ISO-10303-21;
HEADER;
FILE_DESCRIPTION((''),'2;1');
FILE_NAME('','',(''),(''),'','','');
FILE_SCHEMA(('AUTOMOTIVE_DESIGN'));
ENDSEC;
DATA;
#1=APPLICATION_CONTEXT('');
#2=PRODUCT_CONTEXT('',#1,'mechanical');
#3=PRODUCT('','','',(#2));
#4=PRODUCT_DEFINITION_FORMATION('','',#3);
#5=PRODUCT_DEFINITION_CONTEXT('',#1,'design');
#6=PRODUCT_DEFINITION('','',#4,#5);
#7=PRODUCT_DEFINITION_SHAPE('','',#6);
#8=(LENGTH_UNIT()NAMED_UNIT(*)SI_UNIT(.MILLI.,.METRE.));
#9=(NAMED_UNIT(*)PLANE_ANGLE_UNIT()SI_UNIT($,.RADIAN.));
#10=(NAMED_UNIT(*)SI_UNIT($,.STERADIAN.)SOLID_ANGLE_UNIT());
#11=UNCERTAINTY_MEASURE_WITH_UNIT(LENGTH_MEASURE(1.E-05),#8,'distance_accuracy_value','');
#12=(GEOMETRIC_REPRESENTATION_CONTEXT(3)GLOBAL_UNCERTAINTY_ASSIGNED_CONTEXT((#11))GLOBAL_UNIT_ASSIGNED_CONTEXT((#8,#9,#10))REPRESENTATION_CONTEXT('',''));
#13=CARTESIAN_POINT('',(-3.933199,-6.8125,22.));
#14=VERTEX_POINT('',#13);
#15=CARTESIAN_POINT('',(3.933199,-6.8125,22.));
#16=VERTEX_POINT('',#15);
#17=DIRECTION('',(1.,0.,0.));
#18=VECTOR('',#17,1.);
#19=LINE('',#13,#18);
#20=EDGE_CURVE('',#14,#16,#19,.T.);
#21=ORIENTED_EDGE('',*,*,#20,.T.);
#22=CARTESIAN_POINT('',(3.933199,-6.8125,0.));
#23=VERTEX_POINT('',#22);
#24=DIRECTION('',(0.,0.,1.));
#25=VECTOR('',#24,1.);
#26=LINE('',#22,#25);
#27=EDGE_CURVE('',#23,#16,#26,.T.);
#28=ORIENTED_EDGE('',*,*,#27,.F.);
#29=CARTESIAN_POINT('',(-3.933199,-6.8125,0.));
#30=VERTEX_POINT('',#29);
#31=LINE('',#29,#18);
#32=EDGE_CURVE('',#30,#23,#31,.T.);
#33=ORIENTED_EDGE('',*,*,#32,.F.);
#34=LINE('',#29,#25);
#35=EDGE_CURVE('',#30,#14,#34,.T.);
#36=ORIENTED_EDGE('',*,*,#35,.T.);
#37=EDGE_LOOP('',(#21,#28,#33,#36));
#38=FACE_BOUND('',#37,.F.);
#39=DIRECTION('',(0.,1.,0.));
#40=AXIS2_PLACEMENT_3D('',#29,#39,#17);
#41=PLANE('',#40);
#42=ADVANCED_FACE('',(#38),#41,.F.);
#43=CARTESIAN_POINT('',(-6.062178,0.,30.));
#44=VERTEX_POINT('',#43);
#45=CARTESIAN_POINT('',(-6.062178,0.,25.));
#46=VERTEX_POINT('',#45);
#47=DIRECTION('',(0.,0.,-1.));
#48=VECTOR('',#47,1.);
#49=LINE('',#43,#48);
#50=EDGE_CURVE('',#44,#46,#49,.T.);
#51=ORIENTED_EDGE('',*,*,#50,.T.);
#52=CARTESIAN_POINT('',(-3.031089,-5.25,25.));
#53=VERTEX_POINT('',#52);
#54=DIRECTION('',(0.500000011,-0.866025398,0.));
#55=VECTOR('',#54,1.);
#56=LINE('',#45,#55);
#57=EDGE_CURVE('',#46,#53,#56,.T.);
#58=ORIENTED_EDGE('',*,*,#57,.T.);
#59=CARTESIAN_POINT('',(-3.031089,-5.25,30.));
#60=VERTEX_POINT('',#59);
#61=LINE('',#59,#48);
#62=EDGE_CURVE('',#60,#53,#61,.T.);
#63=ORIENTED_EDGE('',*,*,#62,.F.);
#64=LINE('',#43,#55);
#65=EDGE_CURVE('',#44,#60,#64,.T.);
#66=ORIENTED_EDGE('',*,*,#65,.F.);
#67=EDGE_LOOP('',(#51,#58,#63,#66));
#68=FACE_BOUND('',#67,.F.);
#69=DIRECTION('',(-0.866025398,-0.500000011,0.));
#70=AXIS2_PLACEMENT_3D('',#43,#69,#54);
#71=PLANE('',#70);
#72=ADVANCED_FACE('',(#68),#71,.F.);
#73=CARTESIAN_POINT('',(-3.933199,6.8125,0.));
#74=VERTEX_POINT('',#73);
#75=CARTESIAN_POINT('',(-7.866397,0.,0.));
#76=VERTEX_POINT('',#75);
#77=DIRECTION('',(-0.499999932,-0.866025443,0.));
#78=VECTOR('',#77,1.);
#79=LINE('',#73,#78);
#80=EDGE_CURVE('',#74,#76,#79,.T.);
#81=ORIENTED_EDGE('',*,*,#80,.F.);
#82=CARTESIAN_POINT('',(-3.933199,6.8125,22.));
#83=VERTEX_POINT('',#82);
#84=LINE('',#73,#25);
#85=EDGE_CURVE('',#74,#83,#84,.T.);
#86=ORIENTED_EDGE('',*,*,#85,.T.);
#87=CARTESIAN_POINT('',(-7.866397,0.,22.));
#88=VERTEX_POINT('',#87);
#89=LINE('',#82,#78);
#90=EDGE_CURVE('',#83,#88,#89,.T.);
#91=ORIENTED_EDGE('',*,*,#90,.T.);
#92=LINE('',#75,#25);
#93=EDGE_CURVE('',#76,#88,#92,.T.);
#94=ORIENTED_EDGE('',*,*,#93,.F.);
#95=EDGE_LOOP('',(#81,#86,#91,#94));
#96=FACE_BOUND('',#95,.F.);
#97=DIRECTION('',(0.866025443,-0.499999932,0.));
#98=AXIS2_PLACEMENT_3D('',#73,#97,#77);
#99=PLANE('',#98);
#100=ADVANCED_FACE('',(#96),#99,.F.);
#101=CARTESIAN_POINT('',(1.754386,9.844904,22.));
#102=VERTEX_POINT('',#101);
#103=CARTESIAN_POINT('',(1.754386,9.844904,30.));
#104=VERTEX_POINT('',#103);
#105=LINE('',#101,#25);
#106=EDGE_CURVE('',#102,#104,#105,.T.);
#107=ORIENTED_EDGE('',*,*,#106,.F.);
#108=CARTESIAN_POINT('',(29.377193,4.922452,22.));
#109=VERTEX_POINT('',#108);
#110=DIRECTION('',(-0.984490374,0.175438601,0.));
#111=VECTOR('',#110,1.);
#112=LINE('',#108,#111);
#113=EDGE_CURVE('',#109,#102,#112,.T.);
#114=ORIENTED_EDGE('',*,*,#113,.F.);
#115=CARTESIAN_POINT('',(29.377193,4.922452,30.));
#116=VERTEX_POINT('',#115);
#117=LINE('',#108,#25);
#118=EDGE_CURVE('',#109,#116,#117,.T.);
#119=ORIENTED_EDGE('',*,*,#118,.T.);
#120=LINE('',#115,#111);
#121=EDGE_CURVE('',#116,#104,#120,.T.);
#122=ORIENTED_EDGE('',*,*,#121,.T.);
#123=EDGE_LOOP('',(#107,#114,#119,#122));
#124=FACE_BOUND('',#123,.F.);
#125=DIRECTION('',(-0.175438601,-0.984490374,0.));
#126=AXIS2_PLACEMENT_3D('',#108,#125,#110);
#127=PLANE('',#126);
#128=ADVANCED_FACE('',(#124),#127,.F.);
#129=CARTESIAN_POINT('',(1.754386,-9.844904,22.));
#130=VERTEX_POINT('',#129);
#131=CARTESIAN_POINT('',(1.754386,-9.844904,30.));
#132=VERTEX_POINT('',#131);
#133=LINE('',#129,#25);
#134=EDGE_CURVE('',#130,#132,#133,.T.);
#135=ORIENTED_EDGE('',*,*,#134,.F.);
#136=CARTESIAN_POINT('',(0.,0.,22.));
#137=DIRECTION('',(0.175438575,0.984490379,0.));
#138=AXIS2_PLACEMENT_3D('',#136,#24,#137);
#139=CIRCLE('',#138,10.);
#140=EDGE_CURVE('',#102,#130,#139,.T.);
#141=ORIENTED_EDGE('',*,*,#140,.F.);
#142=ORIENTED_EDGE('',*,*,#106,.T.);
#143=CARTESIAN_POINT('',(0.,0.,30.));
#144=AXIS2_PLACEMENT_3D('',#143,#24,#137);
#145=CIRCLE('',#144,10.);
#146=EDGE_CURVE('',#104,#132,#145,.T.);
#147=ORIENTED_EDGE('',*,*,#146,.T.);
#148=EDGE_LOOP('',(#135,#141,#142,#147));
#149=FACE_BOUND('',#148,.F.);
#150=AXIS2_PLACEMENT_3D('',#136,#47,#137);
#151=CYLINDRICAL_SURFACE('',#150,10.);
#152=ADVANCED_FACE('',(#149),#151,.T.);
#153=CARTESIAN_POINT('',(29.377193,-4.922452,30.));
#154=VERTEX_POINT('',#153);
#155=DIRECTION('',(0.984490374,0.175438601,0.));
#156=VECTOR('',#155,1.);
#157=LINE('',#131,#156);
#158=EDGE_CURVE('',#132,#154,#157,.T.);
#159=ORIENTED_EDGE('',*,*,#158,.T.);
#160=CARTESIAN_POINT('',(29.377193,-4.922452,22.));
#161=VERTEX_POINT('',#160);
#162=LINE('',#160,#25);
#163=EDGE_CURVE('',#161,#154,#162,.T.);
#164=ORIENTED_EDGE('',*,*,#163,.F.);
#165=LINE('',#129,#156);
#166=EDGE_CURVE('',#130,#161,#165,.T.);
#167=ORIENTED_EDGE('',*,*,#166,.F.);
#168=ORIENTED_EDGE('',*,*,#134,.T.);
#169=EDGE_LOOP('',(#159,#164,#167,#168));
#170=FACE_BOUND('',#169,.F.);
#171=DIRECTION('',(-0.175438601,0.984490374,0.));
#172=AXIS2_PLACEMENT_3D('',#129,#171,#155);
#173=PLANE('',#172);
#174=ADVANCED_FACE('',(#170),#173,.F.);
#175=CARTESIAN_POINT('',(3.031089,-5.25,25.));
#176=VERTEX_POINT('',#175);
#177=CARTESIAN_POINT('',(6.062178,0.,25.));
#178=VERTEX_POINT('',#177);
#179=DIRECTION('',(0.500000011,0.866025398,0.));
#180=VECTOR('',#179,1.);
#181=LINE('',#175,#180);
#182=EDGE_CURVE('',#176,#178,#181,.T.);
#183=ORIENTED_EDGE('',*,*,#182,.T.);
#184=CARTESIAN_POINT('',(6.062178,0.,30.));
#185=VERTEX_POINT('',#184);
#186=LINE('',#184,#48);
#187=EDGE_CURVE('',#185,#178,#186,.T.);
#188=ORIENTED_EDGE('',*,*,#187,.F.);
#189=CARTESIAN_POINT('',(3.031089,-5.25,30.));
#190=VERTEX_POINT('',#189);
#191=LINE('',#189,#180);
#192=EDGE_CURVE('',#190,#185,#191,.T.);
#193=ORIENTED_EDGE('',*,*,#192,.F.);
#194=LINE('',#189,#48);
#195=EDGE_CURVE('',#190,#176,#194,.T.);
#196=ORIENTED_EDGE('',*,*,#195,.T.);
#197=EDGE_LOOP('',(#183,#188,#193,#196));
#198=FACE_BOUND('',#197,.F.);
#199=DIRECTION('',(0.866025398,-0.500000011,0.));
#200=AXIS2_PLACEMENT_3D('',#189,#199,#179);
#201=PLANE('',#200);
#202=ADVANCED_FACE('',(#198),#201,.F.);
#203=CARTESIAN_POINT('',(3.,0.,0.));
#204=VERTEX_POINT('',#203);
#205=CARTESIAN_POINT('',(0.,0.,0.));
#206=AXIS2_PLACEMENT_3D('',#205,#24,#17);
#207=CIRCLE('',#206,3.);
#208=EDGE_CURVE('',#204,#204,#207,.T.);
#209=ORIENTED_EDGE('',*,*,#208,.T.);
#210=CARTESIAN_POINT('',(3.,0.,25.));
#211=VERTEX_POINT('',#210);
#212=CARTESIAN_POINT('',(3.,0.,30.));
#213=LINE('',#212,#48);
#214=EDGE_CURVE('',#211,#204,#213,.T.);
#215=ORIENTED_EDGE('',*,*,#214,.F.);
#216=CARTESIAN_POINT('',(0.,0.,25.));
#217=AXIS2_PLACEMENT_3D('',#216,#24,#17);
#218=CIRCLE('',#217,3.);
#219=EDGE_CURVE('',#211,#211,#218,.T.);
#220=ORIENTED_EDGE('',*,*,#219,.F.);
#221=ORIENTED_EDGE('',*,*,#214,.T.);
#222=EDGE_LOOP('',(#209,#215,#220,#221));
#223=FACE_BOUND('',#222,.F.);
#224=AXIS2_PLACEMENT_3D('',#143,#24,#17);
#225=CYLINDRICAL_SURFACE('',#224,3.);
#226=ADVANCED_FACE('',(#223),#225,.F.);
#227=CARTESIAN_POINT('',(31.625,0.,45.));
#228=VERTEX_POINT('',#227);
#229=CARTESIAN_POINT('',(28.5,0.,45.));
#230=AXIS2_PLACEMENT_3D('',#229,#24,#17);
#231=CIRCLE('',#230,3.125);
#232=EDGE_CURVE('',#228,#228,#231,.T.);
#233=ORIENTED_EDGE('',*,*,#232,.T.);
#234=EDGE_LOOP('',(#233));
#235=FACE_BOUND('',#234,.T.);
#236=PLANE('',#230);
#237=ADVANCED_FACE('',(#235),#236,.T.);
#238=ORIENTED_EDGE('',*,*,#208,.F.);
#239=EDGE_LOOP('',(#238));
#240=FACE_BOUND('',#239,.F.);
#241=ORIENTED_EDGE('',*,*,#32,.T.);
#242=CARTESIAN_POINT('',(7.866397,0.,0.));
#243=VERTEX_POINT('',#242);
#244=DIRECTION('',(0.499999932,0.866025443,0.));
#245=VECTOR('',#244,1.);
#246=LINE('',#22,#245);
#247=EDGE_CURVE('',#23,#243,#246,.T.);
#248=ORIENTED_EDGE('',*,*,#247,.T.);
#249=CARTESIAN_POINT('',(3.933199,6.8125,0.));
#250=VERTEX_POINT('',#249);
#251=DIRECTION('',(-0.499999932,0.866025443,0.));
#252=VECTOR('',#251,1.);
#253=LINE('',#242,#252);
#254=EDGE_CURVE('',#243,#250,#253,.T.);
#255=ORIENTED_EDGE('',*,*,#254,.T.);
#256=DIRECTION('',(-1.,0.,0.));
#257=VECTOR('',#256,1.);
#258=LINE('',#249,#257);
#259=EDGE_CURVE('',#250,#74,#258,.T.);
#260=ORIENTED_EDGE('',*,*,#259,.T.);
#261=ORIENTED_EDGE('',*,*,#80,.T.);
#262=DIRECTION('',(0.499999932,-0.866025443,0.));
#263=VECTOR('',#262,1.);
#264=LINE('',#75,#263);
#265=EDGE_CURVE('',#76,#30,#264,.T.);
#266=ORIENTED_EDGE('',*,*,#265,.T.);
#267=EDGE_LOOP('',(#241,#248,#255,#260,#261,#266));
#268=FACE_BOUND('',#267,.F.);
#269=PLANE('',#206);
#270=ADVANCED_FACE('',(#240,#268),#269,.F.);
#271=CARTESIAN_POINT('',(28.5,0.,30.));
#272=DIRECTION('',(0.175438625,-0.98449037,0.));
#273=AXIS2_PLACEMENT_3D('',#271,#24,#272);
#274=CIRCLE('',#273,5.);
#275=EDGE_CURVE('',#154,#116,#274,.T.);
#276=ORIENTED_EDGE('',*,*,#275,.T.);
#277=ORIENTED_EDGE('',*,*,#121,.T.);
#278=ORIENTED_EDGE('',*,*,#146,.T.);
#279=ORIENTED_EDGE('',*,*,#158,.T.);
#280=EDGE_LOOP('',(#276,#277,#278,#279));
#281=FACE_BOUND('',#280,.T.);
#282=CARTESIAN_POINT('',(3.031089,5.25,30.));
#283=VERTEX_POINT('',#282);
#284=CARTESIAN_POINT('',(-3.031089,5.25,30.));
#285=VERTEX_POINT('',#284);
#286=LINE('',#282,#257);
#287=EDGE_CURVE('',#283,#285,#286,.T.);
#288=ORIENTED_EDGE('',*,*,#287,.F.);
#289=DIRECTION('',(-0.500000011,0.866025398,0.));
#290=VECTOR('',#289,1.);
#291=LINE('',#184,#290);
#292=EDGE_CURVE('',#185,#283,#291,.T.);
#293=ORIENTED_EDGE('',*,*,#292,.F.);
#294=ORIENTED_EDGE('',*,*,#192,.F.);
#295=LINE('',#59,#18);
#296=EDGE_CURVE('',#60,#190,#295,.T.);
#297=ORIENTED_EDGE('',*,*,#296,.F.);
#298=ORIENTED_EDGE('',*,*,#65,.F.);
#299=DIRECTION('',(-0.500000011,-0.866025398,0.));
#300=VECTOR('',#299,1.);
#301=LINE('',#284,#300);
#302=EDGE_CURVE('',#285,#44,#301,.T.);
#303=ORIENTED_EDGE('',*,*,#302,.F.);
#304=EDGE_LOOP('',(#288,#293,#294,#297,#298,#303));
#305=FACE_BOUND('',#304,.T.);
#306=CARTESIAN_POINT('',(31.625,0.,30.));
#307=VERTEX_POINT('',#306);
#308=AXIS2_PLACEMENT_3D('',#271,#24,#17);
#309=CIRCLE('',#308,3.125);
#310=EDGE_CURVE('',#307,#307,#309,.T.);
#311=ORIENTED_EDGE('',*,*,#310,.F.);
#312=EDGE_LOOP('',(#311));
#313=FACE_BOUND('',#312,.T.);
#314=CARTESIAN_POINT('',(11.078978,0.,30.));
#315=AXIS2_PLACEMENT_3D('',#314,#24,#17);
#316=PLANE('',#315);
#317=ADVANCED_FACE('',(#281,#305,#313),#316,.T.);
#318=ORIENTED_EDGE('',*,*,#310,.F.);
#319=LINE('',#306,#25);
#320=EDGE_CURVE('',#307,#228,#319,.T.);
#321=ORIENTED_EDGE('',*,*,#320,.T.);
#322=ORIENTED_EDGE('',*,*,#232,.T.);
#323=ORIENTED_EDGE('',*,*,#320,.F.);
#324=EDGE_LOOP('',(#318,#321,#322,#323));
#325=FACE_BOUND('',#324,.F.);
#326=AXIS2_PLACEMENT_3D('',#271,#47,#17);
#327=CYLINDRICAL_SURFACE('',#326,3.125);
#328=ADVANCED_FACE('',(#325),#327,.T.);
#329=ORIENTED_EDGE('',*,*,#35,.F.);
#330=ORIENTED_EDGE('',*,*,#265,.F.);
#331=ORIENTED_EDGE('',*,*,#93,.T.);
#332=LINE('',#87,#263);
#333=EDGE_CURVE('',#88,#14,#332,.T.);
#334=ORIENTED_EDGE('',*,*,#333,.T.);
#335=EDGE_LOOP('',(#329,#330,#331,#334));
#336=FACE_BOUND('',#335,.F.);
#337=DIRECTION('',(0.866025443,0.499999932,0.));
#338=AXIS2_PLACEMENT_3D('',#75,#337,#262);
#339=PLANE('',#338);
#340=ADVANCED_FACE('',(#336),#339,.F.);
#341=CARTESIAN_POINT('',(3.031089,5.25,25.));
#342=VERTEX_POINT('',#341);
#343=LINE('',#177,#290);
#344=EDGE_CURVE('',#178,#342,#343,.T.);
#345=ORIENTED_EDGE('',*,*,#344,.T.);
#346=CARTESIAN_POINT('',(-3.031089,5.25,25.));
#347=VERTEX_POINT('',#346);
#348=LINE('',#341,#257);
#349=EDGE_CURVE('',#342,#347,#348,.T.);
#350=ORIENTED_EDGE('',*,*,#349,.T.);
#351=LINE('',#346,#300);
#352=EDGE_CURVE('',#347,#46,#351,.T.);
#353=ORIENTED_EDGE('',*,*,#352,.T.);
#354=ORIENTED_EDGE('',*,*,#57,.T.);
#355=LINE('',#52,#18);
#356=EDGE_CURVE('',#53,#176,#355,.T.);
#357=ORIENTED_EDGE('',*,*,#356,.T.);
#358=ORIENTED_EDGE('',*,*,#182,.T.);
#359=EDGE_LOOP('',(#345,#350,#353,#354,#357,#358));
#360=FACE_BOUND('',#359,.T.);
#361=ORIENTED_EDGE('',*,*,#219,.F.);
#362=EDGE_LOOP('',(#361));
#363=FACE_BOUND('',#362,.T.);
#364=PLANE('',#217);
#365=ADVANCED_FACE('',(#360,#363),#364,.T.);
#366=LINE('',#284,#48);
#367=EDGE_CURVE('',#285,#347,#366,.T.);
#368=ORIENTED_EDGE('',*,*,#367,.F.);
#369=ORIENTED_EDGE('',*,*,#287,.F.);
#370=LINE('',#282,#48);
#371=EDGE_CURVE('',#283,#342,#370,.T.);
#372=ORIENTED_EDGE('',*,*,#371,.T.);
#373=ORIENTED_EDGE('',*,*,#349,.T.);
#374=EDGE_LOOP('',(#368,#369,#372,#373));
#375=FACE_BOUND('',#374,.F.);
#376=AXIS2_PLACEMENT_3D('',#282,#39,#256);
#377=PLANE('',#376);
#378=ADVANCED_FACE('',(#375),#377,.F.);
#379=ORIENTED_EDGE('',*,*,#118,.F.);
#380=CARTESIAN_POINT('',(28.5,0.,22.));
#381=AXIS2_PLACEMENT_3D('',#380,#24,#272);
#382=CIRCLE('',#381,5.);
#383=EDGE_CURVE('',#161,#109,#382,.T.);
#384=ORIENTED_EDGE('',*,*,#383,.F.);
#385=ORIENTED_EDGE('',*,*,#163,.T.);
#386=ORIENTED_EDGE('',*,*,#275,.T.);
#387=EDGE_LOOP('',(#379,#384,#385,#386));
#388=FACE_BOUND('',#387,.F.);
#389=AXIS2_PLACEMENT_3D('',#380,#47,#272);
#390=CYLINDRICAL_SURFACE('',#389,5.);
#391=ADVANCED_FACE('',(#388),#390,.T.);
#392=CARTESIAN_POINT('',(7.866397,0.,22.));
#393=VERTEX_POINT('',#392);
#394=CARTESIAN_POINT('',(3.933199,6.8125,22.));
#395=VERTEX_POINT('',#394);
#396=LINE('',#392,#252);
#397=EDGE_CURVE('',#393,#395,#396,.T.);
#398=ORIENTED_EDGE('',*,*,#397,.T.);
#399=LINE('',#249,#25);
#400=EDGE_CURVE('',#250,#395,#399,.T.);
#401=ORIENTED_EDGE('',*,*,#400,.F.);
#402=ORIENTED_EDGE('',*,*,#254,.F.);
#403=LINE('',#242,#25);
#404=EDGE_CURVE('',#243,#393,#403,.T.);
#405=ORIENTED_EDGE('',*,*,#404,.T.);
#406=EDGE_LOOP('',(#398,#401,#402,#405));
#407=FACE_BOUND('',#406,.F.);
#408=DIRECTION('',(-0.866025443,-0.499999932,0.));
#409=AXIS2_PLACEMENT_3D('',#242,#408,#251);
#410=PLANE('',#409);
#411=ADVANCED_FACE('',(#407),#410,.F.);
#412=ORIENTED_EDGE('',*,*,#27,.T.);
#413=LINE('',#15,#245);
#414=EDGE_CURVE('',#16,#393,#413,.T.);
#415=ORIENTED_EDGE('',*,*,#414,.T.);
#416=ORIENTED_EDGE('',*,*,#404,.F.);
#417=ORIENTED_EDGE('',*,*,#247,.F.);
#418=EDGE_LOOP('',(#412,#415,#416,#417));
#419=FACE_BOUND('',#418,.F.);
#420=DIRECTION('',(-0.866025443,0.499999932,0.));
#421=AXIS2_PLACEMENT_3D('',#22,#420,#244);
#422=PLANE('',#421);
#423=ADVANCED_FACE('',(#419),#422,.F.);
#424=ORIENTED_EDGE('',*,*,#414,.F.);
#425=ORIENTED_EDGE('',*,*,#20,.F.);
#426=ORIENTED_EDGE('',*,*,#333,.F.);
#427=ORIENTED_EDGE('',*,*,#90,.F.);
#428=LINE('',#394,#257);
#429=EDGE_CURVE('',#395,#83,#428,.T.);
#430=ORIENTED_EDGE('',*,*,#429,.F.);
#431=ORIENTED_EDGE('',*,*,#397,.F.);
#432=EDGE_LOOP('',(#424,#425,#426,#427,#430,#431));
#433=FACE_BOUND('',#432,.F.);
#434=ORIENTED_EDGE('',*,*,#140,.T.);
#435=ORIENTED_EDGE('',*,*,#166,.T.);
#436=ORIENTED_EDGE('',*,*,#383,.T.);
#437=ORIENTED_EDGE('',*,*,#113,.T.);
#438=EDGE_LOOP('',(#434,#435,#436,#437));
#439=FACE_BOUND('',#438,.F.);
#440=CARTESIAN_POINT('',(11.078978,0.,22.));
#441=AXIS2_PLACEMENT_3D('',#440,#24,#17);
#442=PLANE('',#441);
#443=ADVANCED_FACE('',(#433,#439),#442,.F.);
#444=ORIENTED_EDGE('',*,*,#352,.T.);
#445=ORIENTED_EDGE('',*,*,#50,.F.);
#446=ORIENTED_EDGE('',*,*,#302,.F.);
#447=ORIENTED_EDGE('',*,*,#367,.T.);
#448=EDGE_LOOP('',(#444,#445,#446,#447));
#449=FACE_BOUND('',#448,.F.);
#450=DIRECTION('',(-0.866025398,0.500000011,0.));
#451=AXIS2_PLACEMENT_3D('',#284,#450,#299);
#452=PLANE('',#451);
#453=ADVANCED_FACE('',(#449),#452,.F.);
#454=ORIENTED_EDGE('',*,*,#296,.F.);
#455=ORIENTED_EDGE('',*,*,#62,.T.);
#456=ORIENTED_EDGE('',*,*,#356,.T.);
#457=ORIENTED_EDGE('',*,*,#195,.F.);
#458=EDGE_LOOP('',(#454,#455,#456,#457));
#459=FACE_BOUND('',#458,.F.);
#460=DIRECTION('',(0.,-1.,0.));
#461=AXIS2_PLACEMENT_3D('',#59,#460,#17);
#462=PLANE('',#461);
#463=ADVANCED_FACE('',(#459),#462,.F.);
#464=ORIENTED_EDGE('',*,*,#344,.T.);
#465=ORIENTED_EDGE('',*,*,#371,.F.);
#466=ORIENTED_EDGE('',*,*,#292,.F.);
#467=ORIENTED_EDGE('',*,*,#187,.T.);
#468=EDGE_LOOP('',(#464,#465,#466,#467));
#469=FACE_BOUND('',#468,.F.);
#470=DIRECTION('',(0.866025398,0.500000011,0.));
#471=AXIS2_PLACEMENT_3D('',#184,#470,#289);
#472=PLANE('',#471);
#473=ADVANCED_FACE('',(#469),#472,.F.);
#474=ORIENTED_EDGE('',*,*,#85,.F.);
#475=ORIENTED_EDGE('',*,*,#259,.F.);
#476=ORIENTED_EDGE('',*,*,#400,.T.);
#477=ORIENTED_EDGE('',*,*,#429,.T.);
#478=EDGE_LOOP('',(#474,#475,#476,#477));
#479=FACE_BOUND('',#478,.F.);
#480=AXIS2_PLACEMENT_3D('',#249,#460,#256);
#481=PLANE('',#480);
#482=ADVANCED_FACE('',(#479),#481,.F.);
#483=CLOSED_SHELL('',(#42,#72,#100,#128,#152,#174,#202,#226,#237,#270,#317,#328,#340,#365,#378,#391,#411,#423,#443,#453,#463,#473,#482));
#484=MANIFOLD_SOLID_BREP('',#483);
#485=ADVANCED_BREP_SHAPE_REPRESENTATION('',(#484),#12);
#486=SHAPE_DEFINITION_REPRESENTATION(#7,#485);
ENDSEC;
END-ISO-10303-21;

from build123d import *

# Parameters (mm, degrees)
PAD046_DEPTH    = 22
PAD047_DEPTH    = 8
SKETCH080_R     = 3.125
PAD048_DEPTH    = 15
SKETCH081_R     = 3
HOLE_DEPTH      = 30.001
POCKET037_DEPTH = 5


with BuildPart() as part:
    # Sketch078 → Pad046 (new body)
    with BuildSketch(Plane.XY):
        Polygon((3.933199, 6.8125), (-3.933199, 6.8125), (-7.866397, 0), (-3.933199, -6.8125), (3.933199, -6.8125), (7.866397, 0), align=None)
    extrude(amount=PAD046_DEPTH)

    # Sketch079 (on Face8 of Pad046) → Pad047 (join)
    with BuildSketch(Plane.XY.offset(22)):
        with BuildLine():
            ThreePointArc((1.754386, 9.844904), (-10, 0), (1.754386, -9.844904))
            Line((1.754386, -9.844904), (29.377193, -4.922452))
            ThreePointArc((29.377193, -4.922452), (33.5, 0), (29.377193, 4.922452))
            Line((29.377193, 4.922452), (1.754386, 9.844904))
        make_face()
    extrude(amount=PAD047_DEPTH)

    # Sketch080 (on Face5 of Pad047) → Pad048 (join)
    with BuildSketch(Plane.XY.offset(30)):
        with Locations((28.5, 0)):
            Circle(SKETCH080_R)
    extrude(amount=PAD048_DEPTH)

    # Sketch081 (on Face5 of Pad048) → Hole (cut, through all)
    with BuildSketch(Plane.XY.offset(30)):
        Circle(SKETCH081_R)
    extrude(amount=-HOLE_DEPTH, mode=Mode.SUBTRACT)

    # Sketch082 (on Face5 of Hole) → Pocket037 (cut)
    with BuildSketch(Plane.XY.offset(30)):
        Polygon((3.031089, 5.25), (-3.031089, 5.25), (-6.062178, 0), (-3.031089, -5.25), (3.031089, -5.25), (6.062178, 0), align=None)
    extrude(amount=-POCKET037_DEPTH, mode=Mode.SUBTRACT)


solid = part.part
